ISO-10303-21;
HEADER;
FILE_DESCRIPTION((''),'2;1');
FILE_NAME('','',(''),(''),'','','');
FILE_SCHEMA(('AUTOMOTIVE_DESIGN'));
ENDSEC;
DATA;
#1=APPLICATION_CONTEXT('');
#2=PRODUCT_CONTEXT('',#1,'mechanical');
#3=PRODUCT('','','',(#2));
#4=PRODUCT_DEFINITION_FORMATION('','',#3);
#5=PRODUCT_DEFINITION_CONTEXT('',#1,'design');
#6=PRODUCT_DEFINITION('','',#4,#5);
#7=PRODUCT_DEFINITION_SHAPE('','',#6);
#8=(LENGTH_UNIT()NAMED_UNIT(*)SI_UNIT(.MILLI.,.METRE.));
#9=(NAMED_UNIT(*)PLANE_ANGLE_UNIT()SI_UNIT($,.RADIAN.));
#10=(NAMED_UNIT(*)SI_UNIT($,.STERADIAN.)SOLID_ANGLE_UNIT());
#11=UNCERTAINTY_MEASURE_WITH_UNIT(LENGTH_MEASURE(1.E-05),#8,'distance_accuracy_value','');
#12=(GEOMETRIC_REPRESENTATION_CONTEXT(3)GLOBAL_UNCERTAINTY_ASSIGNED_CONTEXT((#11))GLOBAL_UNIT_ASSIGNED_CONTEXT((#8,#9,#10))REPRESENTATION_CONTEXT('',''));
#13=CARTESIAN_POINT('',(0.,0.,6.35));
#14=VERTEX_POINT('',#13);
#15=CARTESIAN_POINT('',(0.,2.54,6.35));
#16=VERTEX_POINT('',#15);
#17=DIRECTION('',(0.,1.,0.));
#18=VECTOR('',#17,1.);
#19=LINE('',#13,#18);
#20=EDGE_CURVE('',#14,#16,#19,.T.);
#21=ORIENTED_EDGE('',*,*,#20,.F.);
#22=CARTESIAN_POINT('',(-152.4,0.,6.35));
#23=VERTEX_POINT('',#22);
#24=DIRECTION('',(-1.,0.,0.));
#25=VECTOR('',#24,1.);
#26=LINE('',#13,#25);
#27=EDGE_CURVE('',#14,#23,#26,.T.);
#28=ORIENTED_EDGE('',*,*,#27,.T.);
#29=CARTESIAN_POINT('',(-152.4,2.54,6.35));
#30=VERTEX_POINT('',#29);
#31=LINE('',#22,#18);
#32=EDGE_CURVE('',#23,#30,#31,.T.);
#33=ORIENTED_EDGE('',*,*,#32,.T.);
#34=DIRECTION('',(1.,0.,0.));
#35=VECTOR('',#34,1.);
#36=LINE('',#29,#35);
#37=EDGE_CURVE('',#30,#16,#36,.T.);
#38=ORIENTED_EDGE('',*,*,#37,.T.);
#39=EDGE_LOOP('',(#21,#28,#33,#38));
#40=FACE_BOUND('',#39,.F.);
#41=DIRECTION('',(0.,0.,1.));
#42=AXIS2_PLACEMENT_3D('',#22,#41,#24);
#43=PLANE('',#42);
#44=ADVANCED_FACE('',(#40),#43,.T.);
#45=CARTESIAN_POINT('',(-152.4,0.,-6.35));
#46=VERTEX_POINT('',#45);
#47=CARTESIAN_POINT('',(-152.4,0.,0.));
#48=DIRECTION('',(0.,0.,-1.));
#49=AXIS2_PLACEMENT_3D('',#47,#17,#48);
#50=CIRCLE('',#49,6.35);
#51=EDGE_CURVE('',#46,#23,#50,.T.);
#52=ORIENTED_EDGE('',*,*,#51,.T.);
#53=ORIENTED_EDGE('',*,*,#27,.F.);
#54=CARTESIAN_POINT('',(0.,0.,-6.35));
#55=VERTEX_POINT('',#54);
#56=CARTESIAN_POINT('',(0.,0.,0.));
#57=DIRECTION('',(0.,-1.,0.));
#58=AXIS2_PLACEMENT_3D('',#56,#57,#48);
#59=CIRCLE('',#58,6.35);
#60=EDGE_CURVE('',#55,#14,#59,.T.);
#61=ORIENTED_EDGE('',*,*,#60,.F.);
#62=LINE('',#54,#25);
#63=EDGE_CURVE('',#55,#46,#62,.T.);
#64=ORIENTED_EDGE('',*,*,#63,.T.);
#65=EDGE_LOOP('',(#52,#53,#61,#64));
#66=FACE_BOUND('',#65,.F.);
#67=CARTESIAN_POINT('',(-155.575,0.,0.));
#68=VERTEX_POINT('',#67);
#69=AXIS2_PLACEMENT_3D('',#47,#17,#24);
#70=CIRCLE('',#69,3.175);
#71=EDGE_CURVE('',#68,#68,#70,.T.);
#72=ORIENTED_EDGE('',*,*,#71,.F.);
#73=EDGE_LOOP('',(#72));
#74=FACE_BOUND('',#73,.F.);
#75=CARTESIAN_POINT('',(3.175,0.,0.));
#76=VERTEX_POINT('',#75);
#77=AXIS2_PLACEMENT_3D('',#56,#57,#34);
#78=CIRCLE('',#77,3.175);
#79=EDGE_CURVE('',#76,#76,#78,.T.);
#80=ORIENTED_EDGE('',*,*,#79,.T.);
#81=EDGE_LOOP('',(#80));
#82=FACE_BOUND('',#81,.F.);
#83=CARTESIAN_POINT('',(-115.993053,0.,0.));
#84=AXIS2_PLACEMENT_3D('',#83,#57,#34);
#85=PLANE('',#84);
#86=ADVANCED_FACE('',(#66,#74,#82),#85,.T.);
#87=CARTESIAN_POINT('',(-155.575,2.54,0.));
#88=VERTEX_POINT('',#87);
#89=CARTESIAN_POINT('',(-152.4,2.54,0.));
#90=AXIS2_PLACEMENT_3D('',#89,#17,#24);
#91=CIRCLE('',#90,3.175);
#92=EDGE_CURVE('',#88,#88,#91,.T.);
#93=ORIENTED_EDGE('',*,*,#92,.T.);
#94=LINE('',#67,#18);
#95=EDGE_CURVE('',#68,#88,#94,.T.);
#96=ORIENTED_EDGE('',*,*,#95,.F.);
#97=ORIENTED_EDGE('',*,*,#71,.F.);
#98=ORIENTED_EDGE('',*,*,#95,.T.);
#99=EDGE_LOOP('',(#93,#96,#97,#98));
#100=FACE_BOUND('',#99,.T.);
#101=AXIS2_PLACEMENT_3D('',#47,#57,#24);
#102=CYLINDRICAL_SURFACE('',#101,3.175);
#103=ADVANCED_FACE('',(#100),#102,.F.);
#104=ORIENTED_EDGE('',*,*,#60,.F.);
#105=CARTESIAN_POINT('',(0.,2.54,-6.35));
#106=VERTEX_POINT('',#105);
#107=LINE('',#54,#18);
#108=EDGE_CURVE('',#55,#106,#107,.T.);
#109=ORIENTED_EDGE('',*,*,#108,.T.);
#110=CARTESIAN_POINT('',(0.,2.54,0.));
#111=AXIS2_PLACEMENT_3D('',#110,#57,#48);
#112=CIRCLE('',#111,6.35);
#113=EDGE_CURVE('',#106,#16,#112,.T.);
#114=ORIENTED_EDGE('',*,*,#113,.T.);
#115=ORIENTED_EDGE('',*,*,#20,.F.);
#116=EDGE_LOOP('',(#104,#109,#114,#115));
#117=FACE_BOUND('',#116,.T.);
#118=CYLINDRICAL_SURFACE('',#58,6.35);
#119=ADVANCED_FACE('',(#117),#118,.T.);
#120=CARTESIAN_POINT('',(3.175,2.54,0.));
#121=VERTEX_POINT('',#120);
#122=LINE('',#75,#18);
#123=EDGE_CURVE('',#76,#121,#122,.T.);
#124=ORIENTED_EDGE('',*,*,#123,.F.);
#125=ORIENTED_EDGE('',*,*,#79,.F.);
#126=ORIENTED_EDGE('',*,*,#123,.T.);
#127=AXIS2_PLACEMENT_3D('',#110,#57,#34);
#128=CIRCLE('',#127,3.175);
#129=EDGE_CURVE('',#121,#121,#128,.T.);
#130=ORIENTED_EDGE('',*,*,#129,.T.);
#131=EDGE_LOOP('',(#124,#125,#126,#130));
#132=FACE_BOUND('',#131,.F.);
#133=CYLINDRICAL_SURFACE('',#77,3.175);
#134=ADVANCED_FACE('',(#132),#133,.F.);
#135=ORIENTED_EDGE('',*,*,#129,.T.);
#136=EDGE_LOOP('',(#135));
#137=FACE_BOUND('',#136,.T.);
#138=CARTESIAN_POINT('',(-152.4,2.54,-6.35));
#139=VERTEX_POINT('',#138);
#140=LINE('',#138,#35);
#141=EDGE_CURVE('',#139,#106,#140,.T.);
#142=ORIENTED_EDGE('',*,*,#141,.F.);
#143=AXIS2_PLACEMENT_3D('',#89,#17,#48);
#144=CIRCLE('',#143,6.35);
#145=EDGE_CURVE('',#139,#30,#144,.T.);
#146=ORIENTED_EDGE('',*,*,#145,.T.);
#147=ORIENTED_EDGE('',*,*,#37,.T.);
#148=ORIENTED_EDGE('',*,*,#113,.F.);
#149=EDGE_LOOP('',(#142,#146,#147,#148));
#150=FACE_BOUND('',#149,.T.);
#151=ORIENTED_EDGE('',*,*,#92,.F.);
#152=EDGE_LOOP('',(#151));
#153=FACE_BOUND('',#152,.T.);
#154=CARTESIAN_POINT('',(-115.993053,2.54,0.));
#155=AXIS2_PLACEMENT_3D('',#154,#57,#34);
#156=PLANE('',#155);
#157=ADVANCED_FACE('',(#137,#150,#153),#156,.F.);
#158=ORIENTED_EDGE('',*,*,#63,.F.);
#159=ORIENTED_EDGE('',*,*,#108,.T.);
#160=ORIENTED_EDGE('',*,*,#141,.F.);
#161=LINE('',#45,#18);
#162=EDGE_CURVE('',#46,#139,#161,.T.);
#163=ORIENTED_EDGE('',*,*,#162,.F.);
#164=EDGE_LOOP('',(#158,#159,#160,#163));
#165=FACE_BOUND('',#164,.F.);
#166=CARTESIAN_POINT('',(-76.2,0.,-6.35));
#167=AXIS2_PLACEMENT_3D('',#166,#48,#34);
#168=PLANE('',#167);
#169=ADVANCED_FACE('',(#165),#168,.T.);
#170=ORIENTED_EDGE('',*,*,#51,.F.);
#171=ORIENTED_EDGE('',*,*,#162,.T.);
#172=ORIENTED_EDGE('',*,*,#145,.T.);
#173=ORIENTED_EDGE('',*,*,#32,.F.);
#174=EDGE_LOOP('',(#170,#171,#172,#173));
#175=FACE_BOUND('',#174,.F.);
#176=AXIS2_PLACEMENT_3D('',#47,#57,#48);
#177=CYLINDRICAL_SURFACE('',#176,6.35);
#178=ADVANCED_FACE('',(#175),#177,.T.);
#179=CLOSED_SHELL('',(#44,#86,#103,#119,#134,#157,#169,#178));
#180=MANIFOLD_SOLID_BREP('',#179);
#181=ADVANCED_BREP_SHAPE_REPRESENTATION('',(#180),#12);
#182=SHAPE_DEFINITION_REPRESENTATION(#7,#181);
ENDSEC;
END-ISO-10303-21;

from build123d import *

# Parameters (mm, degrees)
F0_R     = 3.175
F1_DEPTH = 2.54


with BuildPart() as f1:
    # F0 (on Front) → F1 (new body)
    with BuildSketch(Plane.XZ):
        with BuildLine():
            Line((-76.2, -6.35), (0, -6.35))
            ThreePointArc((0, -6.35), (6.35, 0), (0, 6.35))
            Line((0, 6.35), (-76.2, 6.35))
            Line((-76.2, 6.35), (-76.2, -6.35))
        make_face()
        Circle(F0_R, mode=Mode.SUBTRACT)
    extrude(amount=-F1_DEPTH)

    # F2: F1 across face


with BuildPart() as f1_1:
    add(f1.part)
    add(f1.part.mirror(Plane(origin=(-76.2, 1.27, 0), x_dir=(0, -1, 0), z_dir=(-1, 0, 0))))


solid = f1_1.part
